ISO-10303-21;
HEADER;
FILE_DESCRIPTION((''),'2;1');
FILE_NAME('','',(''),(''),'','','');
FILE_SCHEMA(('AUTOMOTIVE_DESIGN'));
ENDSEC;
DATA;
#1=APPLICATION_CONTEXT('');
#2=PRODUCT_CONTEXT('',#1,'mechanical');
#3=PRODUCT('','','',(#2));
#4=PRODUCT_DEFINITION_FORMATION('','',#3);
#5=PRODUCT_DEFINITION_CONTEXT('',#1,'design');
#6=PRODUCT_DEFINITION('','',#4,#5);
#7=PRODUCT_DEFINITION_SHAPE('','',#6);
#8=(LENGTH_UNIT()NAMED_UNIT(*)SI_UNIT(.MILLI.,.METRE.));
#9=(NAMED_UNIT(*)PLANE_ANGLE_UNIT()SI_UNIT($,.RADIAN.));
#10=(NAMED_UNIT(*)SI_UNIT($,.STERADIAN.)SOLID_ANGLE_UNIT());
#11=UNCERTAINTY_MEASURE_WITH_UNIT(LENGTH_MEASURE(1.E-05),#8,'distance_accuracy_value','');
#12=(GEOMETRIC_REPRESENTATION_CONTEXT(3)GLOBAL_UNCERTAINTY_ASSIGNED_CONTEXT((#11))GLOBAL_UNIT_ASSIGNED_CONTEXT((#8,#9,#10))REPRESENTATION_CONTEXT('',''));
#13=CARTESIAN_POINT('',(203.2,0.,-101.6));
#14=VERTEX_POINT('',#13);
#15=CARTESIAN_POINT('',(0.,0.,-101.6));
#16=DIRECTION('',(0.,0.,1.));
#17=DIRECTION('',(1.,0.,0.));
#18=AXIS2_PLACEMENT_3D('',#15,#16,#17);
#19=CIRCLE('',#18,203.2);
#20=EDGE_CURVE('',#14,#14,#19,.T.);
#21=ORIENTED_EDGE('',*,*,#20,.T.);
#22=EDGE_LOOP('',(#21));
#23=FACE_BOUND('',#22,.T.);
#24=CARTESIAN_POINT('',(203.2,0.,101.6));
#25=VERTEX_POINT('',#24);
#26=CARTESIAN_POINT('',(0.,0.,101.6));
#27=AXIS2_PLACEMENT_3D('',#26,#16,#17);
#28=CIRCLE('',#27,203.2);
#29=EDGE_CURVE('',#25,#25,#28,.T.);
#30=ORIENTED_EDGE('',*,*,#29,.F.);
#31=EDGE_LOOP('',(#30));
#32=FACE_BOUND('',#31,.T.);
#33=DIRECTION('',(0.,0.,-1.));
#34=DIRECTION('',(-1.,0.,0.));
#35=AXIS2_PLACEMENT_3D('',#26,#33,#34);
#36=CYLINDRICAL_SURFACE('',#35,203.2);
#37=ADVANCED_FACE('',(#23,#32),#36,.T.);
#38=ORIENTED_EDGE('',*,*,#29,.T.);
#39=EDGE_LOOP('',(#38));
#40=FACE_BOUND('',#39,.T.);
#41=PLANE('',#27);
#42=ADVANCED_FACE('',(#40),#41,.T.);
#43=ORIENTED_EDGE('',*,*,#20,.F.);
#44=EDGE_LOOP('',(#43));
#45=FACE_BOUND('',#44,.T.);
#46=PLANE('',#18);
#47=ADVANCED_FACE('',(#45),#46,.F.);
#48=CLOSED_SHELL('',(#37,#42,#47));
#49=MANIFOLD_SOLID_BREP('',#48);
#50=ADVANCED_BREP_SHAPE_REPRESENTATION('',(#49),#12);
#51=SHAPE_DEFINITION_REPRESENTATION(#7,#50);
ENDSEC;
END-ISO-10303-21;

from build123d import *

# Parameters (mm, degrees)
SKETCH1_R           = 203.2
BOSS_EXTRUDE1_DEPTH = 101.6


with BuildPart() as part:
    # Sketch1 → Boss-Extrude1 (new body, symmetric)
    with BuildSketch(Plane.XY):
        Circle(SKETCH1_R)
    extrude(amount=BOSS_EXTRUDE1_DEPTH, both=True)


solid = part.part
